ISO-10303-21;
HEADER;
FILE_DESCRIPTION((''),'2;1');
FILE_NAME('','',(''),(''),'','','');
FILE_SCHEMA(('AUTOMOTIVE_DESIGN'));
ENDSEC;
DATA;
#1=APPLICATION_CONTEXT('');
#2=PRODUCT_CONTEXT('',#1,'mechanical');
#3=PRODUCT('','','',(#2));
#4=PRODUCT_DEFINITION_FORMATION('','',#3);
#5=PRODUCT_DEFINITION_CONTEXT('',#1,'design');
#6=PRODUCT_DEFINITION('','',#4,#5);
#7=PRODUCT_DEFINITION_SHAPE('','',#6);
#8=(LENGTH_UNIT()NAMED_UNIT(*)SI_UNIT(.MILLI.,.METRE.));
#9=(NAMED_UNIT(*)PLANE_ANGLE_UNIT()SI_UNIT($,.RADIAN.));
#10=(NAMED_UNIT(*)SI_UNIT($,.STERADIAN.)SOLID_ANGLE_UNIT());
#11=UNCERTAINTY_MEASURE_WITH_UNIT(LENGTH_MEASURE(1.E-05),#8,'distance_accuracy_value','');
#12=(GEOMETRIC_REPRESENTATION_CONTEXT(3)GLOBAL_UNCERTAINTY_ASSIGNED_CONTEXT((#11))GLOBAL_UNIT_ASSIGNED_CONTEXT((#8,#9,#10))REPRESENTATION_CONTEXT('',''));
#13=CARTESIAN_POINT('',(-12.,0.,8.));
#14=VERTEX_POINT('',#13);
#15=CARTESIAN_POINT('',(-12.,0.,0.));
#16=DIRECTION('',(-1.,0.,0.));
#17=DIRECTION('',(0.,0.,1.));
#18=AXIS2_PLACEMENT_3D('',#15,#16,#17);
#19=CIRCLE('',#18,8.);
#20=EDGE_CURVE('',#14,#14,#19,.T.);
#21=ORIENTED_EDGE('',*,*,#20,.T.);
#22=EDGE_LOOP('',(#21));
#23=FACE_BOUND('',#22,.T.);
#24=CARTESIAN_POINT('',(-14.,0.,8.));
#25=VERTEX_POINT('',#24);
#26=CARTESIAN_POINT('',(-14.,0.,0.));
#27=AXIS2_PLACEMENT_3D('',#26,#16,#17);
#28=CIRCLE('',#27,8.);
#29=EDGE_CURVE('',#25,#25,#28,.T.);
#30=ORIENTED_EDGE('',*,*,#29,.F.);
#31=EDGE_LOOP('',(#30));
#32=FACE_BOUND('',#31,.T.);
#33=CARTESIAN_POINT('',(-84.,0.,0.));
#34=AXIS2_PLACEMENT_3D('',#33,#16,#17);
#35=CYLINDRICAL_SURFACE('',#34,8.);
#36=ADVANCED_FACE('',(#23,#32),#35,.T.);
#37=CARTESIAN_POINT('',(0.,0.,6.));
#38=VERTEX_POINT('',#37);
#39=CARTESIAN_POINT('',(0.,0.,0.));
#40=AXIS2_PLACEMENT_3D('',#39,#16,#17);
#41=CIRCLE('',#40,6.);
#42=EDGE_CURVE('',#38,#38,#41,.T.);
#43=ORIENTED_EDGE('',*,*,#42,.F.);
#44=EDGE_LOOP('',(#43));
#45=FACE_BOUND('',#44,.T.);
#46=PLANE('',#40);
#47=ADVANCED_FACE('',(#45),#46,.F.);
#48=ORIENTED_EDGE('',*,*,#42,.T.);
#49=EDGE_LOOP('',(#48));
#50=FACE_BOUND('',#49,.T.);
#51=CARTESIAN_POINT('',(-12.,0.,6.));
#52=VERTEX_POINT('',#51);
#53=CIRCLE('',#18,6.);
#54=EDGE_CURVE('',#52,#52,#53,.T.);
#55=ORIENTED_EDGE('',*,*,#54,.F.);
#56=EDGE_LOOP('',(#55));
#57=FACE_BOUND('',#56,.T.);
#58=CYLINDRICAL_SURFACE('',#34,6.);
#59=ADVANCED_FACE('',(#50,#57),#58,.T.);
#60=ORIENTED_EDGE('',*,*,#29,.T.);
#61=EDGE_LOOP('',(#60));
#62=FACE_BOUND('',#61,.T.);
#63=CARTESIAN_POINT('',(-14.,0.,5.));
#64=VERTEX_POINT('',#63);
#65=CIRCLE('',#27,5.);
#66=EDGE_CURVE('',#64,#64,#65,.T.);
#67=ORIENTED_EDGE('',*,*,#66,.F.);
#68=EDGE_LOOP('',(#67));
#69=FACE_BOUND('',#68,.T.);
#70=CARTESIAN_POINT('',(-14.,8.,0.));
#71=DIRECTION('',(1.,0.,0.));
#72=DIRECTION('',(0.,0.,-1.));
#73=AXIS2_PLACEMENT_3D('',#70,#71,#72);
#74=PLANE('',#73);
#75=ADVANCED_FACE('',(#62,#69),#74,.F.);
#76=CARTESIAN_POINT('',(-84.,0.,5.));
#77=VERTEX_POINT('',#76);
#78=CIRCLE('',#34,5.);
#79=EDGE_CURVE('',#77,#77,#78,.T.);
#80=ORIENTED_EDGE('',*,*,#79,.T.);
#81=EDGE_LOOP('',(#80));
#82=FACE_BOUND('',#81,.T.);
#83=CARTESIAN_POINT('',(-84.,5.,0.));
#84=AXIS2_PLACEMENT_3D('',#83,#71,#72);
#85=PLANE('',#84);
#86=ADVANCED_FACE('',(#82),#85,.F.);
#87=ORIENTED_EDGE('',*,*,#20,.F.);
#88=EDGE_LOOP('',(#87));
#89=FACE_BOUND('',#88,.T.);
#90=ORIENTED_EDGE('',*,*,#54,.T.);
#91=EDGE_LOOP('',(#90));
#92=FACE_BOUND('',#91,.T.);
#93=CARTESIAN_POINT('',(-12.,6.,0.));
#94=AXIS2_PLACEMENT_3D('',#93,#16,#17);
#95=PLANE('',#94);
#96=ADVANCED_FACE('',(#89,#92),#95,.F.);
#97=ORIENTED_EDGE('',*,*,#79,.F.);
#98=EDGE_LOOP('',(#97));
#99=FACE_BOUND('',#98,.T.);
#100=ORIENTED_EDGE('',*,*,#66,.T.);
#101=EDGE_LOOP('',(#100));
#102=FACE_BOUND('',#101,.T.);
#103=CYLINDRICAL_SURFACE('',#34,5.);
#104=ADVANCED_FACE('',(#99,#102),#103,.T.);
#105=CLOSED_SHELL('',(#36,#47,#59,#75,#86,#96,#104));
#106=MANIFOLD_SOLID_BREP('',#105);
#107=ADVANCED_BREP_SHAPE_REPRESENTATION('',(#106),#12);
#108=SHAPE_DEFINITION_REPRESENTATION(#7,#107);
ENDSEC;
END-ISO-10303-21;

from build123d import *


with BuildPart() as part:
    # Sketch1 → Revolve1 (revolve)
    with BuildSketch(Plane.XY, mode=Mode.PRIVATE) as revolve1_sk:
        Polygon((0, 0), (0, 6), (-12, 6), (-12, 8), (-14, 8), (-14, 5), (-84, 5), (-84, 0), align=None)
    revolve(revolve1_sk.sketch.rotate(Axis((-84, 0, 0), (1, 0, 0)), 90), axis=Axis((-84, 0, 0), (1, 0, 0)))


solid = part.part
